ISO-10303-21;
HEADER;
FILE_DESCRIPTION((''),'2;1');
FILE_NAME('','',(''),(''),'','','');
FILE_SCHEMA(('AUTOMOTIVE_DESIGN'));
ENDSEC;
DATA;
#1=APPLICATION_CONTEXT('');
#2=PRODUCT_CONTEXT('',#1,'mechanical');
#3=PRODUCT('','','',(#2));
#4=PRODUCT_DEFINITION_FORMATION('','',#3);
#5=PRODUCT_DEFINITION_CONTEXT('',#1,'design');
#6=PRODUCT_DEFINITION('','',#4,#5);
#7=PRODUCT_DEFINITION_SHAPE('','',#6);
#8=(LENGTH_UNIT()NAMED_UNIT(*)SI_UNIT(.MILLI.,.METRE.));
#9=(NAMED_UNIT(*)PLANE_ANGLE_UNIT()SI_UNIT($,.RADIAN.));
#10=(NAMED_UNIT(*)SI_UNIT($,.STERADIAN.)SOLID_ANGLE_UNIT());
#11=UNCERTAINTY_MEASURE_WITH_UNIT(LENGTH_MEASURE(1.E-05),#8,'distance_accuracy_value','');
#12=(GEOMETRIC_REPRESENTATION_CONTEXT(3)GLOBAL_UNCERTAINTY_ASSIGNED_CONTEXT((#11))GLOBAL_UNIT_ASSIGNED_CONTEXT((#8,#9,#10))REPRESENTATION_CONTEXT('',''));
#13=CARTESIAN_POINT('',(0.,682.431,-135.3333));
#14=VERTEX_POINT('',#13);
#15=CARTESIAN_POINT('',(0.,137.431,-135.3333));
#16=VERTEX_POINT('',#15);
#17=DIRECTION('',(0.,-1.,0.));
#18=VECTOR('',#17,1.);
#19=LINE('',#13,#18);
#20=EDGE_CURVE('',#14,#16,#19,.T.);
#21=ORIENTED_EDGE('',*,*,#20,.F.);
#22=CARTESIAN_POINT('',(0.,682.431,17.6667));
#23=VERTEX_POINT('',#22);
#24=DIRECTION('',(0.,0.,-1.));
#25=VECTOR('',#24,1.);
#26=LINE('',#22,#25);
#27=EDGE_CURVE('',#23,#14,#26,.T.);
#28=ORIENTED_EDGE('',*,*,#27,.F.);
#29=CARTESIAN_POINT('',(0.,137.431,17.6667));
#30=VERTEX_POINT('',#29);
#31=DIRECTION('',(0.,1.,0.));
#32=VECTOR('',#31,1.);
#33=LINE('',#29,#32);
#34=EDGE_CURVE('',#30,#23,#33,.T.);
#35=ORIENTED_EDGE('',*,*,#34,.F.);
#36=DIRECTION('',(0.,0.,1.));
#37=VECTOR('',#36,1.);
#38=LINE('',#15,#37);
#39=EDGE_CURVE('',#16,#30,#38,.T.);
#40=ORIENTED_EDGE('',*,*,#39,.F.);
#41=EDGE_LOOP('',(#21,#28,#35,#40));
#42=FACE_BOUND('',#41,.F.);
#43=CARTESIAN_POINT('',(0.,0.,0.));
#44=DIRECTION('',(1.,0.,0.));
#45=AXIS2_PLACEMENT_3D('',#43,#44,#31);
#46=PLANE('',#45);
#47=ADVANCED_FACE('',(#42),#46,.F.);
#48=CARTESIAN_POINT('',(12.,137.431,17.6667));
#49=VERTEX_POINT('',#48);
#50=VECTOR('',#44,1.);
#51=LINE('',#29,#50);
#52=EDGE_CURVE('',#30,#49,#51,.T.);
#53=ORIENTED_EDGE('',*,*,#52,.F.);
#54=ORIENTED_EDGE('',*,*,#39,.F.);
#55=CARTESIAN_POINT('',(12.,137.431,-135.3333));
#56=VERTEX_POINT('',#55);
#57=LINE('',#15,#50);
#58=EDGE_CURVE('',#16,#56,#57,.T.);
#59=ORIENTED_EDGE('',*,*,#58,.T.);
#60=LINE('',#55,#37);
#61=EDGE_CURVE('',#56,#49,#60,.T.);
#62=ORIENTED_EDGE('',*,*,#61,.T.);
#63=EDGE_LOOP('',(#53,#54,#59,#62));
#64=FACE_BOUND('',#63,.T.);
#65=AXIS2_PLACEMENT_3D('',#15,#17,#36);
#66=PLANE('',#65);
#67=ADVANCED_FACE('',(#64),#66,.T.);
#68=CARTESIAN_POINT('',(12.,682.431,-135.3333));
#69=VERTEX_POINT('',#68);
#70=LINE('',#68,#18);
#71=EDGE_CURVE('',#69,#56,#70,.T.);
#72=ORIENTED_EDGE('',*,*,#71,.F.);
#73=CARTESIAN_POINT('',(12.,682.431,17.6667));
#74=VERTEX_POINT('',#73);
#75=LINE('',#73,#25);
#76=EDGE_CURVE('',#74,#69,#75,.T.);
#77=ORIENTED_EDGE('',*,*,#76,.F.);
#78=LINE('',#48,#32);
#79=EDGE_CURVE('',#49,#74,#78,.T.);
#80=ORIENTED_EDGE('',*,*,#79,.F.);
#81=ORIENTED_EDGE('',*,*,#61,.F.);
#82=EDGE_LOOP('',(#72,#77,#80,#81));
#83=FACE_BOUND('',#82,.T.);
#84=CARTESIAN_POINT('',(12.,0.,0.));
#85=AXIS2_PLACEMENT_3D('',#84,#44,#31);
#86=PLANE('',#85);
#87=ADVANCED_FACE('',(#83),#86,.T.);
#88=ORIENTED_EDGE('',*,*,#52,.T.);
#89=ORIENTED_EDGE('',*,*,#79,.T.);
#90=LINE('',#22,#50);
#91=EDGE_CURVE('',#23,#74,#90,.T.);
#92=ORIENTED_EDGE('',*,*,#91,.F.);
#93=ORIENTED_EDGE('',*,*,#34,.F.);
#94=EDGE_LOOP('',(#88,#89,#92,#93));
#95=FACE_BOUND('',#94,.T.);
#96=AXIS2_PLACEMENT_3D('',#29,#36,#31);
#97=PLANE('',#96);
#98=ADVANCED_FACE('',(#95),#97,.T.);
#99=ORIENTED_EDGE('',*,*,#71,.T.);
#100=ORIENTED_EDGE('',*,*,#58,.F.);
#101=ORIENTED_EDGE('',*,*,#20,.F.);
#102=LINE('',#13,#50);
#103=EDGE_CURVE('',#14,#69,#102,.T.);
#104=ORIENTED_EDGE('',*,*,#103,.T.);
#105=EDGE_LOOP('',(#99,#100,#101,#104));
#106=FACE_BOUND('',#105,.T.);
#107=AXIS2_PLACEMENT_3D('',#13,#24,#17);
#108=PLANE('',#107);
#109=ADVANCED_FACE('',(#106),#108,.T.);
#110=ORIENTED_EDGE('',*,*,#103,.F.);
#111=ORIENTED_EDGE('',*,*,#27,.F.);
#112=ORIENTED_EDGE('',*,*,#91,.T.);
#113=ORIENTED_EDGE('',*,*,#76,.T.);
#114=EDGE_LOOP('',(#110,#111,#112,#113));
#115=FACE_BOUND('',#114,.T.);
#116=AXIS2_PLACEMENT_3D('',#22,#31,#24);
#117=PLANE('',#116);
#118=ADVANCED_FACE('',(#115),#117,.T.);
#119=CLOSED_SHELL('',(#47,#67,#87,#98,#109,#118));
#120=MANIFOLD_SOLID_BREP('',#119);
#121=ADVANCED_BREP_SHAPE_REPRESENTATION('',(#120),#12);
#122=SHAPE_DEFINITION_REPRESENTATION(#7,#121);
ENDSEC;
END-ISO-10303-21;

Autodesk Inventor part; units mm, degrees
ref_plane "YZ Plane" through (0, 0, 0) normal (1, 0, 0) x (0, 1, 0)
ref_plane "XZ Plane" through (0, 0, 0) normal (0, 1, 0) x (-1, 0, 0)
ref_plane "XY Plane" through (0, 0, 0) normal (0, 0, 1) x (1, 0, 0)
sketch "Sketch1" plane through (0, 0, 0) normal (1, 0, 0) x (0, 1, 0)
  line L0 (137.431, 17.6667) -> (682.431, 17.6667)
  line L1 (682.431, 17.6667) -> (682.431, -135.3333)
  line L2 (682.431, -135.3333) -> (137.431, -135.3333)
  line L3 (137.431, -135.3333) -> (137.431, 17.6667)
  point P0 (0, 0)
  dimension "b" = 545
  dimension "d1" = 153
extrude "Extrusion1" add sketch "Sketch1" along normal blind 12
properties part number "CUT PART C-01" material "Wood (Birch)"
